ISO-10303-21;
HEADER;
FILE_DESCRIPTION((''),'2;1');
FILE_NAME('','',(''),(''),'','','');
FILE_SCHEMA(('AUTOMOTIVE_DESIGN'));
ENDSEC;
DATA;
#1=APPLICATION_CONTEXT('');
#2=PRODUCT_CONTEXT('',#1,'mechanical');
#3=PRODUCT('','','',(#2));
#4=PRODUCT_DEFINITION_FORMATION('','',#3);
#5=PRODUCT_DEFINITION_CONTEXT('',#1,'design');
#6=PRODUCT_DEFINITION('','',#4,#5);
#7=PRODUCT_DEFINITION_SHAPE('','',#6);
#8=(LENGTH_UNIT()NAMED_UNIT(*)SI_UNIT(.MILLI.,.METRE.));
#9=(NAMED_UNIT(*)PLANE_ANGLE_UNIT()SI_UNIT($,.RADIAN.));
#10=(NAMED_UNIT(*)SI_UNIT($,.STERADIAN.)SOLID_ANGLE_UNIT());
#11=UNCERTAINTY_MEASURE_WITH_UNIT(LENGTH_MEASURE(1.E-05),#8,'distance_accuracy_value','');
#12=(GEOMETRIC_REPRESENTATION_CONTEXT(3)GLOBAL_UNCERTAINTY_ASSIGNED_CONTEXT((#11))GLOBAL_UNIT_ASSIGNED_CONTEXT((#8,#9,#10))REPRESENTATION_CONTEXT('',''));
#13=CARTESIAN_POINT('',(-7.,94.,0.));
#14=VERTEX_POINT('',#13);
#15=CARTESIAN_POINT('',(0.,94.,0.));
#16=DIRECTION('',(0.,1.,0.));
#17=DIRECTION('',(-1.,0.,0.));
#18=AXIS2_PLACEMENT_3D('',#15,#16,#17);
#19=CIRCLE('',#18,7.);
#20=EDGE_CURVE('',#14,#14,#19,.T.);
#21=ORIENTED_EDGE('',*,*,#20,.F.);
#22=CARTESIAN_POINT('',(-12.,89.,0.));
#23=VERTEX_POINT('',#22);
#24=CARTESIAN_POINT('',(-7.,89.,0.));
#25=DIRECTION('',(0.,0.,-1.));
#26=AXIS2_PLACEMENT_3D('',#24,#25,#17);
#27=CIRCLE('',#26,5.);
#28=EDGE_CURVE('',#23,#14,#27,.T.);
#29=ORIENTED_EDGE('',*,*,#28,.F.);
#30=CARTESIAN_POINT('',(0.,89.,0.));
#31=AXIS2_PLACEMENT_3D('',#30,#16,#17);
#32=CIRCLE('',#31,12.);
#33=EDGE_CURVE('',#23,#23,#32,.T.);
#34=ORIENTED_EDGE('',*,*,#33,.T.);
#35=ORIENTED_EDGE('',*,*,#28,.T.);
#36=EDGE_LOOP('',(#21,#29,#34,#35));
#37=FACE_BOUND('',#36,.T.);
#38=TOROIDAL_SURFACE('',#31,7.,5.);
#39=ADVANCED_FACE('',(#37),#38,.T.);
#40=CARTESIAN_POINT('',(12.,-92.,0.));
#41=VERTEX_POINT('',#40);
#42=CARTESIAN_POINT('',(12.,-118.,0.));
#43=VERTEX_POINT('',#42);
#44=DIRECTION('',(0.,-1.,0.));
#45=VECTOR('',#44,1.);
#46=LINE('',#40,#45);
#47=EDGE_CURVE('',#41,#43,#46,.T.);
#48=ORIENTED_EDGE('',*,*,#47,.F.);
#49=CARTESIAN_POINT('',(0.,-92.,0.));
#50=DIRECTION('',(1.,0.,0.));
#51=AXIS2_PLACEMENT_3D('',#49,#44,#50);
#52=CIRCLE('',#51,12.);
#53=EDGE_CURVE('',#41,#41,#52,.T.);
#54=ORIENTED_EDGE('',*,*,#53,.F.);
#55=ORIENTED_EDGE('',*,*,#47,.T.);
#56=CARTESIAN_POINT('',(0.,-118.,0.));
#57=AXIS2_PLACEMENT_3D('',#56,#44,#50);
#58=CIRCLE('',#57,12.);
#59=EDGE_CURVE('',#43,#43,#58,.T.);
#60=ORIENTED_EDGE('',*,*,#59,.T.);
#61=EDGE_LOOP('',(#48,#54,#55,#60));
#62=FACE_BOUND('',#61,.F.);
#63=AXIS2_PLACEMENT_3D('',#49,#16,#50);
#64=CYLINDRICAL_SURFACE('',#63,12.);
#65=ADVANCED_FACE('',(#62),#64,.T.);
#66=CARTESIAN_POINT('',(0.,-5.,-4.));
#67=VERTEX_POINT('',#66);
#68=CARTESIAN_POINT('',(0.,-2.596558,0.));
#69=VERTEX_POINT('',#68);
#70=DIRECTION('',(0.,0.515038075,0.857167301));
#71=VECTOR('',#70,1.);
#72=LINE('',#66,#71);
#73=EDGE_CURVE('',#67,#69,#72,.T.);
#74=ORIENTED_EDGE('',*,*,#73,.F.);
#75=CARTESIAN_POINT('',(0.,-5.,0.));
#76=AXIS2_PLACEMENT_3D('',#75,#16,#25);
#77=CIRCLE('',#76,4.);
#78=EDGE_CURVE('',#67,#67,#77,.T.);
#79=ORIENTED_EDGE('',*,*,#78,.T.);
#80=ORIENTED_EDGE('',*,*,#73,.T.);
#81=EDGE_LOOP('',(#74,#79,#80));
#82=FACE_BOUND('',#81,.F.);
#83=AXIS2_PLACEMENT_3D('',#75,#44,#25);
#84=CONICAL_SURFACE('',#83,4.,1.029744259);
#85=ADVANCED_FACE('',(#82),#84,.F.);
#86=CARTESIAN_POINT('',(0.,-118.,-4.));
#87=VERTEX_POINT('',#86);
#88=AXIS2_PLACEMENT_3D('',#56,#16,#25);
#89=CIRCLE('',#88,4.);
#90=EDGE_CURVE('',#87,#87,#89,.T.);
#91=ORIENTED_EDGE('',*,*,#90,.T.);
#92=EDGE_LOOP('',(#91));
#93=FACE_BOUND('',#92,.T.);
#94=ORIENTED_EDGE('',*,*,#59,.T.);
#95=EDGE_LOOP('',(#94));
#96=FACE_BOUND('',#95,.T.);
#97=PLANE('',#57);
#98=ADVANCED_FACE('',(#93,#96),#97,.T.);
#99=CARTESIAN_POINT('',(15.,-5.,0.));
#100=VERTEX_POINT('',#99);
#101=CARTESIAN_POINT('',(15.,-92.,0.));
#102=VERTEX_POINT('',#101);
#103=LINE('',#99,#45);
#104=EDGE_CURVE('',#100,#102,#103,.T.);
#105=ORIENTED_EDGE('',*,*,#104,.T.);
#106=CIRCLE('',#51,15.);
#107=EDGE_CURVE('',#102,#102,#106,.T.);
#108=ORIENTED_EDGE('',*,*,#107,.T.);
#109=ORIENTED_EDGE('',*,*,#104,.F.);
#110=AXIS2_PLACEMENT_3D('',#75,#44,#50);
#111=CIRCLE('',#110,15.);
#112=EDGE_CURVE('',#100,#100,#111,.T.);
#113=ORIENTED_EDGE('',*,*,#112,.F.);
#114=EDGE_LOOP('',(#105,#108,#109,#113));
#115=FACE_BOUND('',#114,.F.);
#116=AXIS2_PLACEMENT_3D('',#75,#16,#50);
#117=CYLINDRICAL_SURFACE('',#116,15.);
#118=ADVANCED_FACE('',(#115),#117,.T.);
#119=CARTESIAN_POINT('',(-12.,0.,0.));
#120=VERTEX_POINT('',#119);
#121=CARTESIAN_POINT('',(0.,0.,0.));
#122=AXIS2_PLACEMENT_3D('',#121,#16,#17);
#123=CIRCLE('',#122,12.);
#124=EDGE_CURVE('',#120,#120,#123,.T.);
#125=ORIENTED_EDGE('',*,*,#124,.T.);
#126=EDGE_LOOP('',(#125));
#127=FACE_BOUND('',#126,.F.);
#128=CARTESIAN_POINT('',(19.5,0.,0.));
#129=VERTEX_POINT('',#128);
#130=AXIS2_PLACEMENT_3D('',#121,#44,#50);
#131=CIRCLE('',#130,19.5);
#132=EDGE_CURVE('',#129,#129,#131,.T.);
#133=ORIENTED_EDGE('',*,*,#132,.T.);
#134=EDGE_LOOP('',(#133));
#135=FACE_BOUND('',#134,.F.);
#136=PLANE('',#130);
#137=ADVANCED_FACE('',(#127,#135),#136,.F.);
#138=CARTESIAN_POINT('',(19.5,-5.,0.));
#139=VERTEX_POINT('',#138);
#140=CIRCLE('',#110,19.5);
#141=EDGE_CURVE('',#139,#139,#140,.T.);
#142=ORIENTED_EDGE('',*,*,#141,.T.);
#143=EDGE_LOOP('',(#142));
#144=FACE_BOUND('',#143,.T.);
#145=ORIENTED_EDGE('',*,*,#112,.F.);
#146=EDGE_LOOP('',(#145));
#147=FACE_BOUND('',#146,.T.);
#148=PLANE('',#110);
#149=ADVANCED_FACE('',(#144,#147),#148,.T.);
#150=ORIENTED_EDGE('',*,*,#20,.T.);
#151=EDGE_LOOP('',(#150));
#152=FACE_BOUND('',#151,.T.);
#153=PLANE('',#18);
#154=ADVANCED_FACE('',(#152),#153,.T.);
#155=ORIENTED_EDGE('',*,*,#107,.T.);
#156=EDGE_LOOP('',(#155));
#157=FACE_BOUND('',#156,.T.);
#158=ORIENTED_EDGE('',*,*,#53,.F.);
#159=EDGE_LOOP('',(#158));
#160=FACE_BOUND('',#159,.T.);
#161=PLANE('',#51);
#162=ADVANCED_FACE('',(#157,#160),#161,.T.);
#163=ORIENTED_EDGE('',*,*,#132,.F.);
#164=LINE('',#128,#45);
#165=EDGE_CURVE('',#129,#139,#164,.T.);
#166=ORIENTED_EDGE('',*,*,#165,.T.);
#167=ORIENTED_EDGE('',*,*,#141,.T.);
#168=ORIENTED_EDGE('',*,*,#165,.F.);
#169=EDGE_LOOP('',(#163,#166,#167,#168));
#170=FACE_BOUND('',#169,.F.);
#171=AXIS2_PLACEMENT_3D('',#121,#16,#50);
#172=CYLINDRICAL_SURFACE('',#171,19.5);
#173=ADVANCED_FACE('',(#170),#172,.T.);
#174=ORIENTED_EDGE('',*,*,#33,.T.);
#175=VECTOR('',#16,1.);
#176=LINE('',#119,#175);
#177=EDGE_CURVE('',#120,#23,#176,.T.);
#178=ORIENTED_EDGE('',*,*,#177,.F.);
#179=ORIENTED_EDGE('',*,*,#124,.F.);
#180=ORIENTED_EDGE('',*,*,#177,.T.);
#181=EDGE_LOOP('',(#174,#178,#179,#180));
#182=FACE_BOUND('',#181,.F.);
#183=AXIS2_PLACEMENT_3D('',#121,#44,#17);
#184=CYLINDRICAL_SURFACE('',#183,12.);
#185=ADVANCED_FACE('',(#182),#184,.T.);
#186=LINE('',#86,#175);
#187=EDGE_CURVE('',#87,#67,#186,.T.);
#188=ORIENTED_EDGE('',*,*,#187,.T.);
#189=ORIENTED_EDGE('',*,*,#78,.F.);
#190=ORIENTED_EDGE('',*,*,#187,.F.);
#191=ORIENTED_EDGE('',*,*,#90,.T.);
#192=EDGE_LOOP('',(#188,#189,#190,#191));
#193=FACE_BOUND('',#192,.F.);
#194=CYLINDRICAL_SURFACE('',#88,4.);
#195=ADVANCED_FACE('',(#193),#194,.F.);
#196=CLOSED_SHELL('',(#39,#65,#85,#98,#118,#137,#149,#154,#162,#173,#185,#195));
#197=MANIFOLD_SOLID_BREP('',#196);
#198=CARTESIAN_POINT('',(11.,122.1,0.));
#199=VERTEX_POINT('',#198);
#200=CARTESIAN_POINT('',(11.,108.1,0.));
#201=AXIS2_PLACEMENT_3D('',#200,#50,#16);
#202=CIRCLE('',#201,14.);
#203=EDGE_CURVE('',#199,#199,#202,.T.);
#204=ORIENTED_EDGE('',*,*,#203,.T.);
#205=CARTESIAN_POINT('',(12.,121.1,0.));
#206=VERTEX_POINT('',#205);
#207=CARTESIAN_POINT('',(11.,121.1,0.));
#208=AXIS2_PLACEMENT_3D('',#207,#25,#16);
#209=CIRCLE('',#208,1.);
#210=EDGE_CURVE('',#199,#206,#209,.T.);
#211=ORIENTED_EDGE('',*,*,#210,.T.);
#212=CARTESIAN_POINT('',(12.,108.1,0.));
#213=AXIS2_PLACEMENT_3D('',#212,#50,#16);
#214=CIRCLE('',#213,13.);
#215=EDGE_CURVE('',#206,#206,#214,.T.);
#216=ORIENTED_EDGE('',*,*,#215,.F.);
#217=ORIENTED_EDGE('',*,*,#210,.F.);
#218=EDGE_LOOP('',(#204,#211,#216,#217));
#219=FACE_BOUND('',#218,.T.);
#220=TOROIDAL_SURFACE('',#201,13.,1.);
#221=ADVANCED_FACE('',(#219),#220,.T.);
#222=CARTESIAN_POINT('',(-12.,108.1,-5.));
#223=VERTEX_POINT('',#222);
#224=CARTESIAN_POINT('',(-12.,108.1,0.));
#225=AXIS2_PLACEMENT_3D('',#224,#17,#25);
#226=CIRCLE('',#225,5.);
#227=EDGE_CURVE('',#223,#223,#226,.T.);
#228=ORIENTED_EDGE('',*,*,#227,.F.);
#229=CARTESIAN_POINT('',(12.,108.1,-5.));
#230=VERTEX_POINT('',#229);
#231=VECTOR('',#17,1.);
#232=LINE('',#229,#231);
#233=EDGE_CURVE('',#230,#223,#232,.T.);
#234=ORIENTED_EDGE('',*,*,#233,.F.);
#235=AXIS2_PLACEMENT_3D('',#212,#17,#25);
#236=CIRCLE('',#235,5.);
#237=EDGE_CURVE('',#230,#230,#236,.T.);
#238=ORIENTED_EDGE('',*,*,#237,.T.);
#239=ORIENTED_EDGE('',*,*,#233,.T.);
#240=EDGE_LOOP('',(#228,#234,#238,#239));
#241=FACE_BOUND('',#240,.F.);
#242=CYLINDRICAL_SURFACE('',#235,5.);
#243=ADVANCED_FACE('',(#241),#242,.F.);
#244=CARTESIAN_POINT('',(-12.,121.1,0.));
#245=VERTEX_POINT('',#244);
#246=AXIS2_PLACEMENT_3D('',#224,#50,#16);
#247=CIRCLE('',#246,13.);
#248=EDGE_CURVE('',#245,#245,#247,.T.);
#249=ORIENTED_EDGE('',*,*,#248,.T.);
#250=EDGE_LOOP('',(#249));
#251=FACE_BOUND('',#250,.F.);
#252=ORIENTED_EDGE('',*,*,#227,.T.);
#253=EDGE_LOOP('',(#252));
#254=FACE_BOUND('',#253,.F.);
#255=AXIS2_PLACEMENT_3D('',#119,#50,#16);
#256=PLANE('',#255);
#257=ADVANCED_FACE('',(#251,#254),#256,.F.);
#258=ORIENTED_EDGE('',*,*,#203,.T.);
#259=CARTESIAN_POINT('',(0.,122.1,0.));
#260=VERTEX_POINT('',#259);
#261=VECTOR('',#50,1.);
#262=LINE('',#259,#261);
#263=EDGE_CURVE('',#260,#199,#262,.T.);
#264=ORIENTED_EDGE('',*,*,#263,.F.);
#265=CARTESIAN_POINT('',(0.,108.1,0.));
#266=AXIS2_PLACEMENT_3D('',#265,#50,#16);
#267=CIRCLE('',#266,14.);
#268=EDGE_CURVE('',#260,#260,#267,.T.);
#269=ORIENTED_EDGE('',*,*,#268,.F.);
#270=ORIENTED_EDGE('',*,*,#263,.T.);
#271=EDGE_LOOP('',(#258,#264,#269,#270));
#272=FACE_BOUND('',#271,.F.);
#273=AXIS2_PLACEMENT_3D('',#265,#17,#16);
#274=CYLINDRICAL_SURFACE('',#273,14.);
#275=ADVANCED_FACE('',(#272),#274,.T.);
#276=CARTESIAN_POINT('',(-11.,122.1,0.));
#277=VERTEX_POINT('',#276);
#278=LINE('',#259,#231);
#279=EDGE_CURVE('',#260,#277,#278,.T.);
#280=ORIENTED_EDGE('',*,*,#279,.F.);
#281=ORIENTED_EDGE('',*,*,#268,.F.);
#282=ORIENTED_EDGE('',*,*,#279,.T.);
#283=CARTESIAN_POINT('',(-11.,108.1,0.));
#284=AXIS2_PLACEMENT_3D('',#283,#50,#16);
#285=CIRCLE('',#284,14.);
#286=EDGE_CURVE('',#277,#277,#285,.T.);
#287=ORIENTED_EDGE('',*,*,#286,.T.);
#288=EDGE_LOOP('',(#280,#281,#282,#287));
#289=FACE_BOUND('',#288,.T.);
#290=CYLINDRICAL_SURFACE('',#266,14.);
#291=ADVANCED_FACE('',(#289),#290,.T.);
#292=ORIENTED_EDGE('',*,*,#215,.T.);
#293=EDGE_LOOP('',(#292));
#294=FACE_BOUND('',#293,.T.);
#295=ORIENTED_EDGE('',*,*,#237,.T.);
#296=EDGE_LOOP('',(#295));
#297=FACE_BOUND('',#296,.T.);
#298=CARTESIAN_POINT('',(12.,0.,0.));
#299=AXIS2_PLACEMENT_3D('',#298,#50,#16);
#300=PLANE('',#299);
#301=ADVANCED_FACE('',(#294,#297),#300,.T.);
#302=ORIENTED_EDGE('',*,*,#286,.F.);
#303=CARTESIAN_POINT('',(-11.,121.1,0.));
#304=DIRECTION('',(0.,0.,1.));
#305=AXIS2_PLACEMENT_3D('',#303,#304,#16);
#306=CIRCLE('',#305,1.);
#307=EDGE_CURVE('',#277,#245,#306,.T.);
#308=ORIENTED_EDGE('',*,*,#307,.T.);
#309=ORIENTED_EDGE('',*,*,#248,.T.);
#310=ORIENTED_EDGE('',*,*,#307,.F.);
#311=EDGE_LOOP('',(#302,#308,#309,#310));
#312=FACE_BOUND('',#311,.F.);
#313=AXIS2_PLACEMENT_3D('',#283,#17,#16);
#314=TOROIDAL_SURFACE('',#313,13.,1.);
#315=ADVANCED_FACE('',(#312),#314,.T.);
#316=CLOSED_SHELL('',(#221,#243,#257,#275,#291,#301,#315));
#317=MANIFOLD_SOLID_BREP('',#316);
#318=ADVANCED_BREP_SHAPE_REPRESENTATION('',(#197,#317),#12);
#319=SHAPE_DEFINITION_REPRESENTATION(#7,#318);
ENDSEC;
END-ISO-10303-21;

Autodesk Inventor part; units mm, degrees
ref_plane "YZ Plane" through (0, 0, 0) normal (1, 0, 0) x (0, 1, 0)
ref_plane "XZ Plane" through (0, 0, 0) normal (0, 1, 0) x (-1, 0, 0)
ref_plane "XY Plane" through (0, 0, 0) normal (0, 0, 1) x (1, 0, 0)
sketch "スケッチ1" plane through (0, 0, 0) normal (0, 1, 0) x (-1, 0, 0)
  circle A0 centre (0, 0) radius 12
  dimension "d0" = 24
extrude "押し出し1" add sketch "スケッチ1" along normal blind 94
sketch "スケッチ3" plane through (0, 0, 0) normal (1, 0, 0) x (0, 1, 0)
  circle A0 centre (108.1, 0) radius 14
  line L0 (94, -12) -> (94, 12) projected
  point P0 (0, 0)
  dimension "d3" = 28
  dimension "d4" = 14.1
extrude "押し出し2" add sketch "スケッチ3" along normal mid plane 24
sketch "スケッチ4" plane through (12, 108.1, 0) normal (1, 0, 0) x (0, 0, -1)
  point P0 (0, -108.1)
  point P1 (0, 0)
hole "穴1" at (12, 108.1, 0) direction (-1, 0, 0) diameter 10 end through all
fillet "フィレット2" radius 5 1 edges at (12, 94, 0)
fillet "フィレット3" radius 1 1 edges at (12, 94.1, 0)
fillet "フィレット4" radius 1 1 edges at (-12, 94.1, 0)
sketch "スケッチ5" plane through (0, 0, 0) normal (0, -1, 0) x (1, 0, 0)
  circle A0 centre (0, 0) radius 19.5
  dimension "d18" = 39
extrude "押し出し3" add sketch "スケッチ5" along normal blind 5
sketch "スケッチ6" plane through (0, -5, 0) normal (0, -1, 0) x (1, 0, 0)
  circle A0 centre (0, 0) radius 15
  dimension "d21" = 30
extrude "押し出し4" add sketch "スケッチ6" along normal blind 87
sketch "スケッチ7" plane through (0, -92, 0) normal (0, -1, 0) x (1, 0, 0)
  circle A0 centre (0, 0) radius 12
  dimension "d24" = 24
extrude "押し出し5" add sketch "スケッチ7" along normal blind 26
sketch "スケッチ8" plane through (0, -118, 0) normal (0, -1, 0) x (1, 0, 0)
  point P0 (0, 0)
  point P1 (0, 0)
hole "穴2" at (0, -118, 0) direction (0, 1, 0) diameter 8 depth 113 tip angle 118
properties part number "スプリングその１"
